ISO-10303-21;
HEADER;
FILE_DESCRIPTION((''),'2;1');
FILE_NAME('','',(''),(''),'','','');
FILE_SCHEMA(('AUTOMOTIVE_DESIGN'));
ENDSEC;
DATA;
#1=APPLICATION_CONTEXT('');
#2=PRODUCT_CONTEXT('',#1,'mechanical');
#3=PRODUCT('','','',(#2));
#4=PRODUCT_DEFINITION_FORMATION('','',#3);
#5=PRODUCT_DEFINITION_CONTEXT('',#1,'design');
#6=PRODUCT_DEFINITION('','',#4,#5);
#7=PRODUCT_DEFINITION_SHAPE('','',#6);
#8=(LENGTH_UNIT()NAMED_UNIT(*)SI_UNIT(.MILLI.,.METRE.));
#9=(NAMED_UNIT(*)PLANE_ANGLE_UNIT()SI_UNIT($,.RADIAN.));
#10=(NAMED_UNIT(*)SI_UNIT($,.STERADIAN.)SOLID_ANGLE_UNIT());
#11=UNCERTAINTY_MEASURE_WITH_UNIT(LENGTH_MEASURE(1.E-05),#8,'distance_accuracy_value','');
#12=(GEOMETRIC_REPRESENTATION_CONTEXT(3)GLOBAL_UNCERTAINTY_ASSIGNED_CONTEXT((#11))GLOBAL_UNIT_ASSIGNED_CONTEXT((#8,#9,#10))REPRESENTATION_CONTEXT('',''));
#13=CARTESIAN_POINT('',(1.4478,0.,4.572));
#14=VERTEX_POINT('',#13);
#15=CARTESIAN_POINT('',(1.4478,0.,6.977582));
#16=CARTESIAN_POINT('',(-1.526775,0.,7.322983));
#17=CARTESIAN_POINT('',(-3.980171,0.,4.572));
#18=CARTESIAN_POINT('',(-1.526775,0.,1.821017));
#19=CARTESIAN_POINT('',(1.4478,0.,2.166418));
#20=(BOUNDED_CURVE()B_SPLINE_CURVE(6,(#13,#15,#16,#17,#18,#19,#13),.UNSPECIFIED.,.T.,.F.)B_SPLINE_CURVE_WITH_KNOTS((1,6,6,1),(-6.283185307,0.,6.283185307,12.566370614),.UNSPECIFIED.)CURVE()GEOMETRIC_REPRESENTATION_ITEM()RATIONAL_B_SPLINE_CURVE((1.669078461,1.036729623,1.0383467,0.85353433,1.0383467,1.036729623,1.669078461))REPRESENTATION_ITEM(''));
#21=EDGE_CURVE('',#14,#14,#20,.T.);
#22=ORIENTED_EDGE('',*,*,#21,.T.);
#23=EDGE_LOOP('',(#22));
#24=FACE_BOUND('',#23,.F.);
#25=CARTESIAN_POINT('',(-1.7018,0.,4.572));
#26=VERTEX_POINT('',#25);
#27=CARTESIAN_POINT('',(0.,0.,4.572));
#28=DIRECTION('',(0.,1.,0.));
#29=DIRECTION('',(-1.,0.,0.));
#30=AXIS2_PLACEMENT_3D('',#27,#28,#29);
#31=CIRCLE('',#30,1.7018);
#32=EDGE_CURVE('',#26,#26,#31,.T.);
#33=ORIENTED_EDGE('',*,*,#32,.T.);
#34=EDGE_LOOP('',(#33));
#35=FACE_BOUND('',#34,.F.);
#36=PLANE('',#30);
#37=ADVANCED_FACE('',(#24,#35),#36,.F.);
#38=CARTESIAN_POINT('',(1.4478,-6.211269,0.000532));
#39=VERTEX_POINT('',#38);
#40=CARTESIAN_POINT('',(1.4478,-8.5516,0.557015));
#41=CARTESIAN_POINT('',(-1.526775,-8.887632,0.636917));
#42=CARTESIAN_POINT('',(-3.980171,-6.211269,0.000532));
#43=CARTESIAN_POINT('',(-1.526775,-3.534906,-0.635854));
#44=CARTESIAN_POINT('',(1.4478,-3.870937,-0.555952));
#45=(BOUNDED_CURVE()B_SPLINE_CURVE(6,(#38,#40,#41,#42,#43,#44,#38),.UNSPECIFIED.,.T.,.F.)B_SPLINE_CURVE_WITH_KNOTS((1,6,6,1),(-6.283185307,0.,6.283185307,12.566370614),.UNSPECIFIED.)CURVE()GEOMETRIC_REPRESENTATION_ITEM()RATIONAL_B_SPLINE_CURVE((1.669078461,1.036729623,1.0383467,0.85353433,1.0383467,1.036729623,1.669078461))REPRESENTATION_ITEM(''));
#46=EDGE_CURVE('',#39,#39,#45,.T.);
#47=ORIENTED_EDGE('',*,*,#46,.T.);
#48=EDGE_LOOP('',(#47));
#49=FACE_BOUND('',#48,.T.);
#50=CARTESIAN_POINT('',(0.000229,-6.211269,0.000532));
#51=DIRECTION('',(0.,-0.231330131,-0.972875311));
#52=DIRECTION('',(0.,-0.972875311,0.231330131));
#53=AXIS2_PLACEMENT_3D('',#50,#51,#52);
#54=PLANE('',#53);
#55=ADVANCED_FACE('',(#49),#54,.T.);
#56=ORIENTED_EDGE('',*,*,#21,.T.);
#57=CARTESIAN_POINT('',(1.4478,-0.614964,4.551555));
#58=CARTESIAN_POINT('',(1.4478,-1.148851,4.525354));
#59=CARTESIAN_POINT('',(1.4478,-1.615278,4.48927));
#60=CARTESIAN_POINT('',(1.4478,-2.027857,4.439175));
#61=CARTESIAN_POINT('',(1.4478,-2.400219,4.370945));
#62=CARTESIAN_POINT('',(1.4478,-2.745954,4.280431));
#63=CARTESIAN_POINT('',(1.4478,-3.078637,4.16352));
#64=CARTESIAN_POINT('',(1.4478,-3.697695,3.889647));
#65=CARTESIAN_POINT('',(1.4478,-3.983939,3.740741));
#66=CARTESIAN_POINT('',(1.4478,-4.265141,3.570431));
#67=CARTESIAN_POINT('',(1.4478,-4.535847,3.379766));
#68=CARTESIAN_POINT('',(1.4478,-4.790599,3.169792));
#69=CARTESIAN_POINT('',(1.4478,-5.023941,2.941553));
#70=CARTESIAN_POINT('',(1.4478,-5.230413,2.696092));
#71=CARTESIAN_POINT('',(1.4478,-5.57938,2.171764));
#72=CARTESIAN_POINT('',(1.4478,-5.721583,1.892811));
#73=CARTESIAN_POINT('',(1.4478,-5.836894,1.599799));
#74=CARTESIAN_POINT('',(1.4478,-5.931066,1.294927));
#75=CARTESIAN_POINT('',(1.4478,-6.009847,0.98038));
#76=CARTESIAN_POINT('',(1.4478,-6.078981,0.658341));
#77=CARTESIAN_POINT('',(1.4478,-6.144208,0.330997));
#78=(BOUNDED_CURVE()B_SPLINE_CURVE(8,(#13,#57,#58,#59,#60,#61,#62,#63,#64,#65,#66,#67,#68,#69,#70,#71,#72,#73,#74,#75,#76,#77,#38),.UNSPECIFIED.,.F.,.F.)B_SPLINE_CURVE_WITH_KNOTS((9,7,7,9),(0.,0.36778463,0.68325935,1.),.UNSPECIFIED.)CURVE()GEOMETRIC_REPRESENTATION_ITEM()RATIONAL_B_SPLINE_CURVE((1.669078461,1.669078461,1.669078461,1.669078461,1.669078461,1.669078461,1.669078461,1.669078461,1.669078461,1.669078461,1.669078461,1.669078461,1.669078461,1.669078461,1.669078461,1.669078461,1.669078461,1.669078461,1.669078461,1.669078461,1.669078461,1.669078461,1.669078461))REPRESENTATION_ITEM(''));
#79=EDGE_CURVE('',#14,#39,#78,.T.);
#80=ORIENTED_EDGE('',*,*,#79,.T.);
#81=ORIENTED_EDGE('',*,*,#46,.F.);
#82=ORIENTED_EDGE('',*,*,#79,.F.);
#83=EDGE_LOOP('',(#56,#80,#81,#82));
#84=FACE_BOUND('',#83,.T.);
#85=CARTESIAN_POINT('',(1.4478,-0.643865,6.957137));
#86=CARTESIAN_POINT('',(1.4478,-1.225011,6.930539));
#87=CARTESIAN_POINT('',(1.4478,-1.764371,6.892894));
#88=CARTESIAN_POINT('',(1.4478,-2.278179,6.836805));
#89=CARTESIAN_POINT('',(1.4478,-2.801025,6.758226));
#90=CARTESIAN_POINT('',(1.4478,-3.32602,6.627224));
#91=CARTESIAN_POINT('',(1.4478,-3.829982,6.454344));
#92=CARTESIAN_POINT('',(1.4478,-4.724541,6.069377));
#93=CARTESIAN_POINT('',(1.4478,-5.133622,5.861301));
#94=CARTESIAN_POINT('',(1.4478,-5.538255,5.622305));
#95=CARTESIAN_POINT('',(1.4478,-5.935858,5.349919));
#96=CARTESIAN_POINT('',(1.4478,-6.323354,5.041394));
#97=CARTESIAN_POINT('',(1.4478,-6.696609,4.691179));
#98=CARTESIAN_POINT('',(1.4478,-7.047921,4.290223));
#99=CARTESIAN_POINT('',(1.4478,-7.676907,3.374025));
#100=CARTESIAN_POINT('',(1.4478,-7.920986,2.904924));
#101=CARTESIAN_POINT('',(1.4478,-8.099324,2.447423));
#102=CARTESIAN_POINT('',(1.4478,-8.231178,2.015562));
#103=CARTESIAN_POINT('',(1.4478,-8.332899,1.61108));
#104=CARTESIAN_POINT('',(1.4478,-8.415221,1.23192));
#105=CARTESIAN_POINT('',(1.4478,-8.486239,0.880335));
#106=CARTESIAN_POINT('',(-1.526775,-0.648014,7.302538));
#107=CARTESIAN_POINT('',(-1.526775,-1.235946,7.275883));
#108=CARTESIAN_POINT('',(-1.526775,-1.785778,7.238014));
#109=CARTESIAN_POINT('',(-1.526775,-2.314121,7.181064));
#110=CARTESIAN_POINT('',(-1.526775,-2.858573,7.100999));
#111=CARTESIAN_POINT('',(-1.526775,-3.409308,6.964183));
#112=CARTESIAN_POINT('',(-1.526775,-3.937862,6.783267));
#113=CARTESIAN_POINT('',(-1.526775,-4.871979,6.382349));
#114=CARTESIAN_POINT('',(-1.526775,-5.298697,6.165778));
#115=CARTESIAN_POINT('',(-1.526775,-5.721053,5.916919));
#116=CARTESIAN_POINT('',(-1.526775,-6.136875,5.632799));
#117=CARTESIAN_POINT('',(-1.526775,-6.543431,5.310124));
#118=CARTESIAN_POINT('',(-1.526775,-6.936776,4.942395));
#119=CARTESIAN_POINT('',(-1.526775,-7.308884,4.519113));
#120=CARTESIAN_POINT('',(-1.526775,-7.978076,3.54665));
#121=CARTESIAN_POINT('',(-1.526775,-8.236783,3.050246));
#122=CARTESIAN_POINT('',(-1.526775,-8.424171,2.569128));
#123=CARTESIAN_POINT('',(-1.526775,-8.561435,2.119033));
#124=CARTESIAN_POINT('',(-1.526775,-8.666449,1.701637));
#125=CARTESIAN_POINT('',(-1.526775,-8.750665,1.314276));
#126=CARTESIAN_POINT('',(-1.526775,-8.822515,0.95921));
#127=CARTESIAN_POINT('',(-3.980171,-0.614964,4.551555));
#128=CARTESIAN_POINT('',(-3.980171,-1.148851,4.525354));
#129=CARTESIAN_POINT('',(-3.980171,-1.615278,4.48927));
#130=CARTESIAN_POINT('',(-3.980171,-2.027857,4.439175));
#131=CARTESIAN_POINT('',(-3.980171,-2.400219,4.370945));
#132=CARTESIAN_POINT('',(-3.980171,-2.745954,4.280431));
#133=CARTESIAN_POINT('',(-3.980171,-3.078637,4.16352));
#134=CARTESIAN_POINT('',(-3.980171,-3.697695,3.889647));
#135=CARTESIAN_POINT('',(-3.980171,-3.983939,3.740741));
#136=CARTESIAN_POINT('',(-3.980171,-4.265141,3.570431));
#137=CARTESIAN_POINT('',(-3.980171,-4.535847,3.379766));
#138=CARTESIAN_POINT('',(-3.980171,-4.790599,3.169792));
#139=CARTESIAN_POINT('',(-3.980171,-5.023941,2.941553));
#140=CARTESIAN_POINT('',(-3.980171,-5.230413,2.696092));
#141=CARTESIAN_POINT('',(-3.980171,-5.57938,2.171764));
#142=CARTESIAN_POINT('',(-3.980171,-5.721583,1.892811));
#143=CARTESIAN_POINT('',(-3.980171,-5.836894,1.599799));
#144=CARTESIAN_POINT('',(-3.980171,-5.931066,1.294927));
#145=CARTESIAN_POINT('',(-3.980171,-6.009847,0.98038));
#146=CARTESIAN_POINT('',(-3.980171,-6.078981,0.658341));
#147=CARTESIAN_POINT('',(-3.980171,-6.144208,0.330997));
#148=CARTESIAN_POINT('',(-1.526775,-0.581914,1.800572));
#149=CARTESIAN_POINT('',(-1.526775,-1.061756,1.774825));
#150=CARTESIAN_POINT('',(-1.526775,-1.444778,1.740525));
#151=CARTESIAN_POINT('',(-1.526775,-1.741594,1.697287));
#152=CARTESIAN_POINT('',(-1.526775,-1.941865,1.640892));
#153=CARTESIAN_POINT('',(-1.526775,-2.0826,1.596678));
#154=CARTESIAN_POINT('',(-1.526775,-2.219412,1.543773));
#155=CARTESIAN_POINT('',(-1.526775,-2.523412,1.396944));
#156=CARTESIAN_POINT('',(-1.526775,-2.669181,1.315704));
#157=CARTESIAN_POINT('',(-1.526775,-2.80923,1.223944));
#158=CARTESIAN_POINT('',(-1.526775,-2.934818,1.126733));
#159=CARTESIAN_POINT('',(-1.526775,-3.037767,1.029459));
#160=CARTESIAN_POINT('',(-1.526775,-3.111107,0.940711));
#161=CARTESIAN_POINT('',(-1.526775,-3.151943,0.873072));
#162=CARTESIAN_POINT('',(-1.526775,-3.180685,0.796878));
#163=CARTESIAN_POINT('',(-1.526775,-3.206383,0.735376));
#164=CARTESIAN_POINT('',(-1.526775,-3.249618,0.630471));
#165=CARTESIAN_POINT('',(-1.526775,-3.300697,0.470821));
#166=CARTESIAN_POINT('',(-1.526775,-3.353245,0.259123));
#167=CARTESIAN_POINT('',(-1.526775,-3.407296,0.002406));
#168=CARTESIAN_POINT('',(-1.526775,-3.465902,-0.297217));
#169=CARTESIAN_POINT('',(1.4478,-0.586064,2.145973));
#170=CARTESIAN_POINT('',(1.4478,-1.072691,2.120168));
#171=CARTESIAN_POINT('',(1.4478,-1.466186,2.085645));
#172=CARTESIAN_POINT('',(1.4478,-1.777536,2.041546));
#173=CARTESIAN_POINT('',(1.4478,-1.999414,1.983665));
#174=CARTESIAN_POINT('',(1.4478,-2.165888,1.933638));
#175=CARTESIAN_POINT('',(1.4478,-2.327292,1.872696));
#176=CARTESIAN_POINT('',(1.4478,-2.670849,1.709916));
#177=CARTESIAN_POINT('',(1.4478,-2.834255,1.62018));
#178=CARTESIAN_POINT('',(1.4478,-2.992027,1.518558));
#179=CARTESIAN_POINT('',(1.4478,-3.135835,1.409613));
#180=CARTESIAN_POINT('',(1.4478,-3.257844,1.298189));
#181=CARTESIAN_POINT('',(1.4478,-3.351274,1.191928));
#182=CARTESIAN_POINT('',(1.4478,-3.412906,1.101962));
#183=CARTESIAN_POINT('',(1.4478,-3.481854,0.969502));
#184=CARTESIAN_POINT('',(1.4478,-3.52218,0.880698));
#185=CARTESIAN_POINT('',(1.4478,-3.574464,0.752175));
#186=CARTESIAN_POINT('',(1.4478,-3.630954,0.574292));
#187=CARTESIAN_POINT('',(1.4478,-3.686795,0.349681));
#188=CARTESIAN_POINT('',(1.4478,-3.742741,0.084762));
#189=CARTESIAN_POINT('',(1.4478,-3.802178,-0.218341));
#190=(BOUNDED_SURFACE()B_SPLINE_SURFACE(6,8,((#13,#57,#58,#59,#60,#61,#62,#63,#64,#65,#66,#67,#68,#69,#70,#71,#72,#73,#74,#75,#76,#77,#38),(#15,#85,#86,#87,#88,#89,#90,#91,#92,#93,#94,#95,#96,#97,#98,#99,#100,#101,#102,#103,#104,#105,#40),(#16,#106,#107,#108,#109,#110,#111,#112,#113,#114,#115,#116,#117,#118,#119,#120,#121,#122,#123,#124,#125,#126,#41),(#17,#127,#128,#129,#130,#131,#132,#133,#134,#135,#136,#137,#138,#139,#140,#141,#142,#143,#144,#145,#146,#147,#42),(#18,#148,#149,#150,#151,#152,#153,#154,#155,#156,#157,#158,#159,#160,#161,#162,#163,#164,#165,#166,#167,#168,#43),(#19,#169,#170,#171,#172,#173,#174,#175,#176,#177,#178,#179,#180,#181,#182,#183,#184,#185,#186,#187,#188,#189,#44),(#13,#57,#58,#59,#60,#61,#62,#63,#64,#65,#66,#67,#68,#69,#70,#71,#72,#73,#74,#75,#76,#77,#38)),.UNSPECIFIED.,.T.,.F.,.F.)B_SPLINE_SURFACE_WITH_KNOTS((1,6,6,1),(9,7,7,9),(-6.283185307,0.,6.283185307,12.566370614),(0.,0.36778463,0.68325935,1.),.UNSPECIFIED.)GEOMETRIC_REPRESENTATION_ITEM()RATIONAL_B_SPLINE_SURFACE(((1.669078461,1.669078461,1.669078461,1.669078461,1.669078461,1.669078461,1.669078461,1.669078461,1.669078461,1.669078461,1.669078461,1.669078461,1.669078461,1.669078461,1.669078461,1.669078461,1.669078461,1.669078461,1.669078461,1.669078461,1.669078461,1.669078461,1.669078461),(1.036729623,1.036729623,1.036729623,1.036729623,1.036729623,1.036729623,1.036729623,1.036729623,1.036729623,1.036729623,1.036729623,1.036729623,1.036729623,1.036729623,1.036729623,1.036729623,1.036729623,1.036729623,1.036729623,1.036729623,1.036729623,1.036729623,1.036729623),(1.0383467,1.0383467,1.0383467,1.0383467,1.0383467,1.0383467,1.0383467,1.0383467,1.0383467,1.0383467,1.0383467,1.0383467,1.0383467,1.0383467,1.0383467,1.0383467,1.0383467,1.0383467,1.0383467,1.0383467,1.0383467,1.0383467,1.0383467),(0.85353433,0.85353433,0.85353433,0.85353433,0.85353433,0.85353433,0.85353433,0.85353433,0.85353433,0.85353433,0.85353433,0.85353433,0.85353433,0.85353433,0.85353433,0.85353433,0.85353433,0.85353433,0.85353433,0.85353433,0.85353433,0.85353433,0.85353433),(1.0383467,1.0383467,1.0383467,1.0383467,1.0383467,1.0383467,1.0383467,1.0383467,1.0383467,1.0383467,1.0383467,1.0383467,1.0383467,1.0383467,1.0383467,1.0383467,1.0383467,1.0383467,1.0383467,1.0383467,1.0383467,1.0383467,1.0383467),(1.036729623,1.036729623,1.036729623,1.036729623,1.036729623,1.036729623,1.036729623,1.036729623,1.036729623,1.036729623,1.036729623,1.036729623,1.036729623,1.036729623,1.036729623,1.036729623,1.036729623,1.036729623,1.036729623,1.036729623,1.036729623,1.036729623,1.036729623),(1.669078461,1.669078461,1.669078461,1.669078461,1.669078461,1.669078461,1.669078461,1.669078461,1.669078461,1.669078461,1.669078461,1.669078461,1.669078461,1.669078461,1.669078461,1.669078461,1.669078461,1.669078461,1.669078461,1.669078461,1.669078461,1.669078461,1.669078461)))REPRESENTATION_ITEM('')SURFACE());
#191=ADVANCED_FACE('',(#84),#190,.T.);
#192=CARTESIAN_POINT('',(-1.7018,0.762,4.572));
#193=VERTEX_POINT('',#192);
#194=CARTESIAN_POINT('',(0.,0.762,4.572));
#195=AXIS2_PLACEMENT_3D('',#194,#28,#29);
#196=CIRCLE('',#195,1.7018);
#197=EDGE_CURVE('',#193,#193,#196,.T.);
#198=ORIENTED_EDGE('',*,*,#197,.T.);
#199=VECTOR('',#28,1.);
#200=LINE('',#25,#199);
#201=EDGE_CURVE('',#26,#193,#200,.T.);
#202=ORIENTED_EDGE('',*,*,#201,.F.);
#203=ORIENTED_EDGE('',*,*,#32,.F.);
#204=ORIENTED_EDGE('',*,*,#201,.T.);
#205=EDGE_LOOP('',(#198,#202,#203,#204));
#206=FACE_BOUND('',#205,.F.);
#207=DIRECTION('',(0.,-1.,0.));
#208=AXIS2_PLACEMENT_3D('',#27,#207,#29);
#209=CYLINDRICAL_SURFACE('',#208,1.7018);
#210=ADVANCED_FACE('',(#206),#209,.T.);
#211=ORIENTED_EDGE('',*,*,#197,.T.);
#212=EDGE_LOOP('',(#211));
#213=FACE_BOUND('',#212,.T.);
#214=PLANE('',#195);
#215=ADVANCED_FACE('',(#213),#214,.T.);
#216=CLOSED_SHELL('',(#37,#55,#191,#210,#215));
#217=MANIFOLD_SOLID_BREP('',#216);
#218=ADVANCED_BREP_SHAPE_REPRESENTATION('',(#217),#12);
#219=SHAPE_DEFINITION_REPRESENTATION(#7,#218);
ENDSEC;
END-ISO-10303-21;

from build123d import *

# Parameters (mm, degrees)
F0_R     = 1.4478
F3_R     = 1.7018
F4_DEPTH = 0.762


with BuildPart() as f2:
    # F2: sweep along a path in F1
    with BuildLine(Plane.YZ) as f2_path:
        add(Plane.YZ * Edge.make_bspline(
            [(0, 4.5697018504), (-1.6398308189, 4.5151823734), (-3.2801432151, 4.3140872922), (-5.7075275739, 2.5815622312), (-6.0302006255, 0.8812580948), (-6.2090330757, 0)],
            knots=[0, 0, 0, 0, 0.3677846296, 0.6832593501, 1, 1, 1, 1], degree=3))
    # F0 (on Front) → F2 (sweep)
    with BuildSketch(Plane.XZ):
        with Locations((0, 4.572)):
            Circle(F0_R)
    sweep(path=f2_path.line)

    # F3 (on face) → F4 (join)
    with BuildSketch(Plane(origin=(0, 0, 0), x_dir=(-1, 0, 0), z_dir=(0, 1, 0))):
        with Locations((0, 4.572)):
            Circle(F3_R)
    extrude(amount=F4_DEPTH)


solid = f2.part
